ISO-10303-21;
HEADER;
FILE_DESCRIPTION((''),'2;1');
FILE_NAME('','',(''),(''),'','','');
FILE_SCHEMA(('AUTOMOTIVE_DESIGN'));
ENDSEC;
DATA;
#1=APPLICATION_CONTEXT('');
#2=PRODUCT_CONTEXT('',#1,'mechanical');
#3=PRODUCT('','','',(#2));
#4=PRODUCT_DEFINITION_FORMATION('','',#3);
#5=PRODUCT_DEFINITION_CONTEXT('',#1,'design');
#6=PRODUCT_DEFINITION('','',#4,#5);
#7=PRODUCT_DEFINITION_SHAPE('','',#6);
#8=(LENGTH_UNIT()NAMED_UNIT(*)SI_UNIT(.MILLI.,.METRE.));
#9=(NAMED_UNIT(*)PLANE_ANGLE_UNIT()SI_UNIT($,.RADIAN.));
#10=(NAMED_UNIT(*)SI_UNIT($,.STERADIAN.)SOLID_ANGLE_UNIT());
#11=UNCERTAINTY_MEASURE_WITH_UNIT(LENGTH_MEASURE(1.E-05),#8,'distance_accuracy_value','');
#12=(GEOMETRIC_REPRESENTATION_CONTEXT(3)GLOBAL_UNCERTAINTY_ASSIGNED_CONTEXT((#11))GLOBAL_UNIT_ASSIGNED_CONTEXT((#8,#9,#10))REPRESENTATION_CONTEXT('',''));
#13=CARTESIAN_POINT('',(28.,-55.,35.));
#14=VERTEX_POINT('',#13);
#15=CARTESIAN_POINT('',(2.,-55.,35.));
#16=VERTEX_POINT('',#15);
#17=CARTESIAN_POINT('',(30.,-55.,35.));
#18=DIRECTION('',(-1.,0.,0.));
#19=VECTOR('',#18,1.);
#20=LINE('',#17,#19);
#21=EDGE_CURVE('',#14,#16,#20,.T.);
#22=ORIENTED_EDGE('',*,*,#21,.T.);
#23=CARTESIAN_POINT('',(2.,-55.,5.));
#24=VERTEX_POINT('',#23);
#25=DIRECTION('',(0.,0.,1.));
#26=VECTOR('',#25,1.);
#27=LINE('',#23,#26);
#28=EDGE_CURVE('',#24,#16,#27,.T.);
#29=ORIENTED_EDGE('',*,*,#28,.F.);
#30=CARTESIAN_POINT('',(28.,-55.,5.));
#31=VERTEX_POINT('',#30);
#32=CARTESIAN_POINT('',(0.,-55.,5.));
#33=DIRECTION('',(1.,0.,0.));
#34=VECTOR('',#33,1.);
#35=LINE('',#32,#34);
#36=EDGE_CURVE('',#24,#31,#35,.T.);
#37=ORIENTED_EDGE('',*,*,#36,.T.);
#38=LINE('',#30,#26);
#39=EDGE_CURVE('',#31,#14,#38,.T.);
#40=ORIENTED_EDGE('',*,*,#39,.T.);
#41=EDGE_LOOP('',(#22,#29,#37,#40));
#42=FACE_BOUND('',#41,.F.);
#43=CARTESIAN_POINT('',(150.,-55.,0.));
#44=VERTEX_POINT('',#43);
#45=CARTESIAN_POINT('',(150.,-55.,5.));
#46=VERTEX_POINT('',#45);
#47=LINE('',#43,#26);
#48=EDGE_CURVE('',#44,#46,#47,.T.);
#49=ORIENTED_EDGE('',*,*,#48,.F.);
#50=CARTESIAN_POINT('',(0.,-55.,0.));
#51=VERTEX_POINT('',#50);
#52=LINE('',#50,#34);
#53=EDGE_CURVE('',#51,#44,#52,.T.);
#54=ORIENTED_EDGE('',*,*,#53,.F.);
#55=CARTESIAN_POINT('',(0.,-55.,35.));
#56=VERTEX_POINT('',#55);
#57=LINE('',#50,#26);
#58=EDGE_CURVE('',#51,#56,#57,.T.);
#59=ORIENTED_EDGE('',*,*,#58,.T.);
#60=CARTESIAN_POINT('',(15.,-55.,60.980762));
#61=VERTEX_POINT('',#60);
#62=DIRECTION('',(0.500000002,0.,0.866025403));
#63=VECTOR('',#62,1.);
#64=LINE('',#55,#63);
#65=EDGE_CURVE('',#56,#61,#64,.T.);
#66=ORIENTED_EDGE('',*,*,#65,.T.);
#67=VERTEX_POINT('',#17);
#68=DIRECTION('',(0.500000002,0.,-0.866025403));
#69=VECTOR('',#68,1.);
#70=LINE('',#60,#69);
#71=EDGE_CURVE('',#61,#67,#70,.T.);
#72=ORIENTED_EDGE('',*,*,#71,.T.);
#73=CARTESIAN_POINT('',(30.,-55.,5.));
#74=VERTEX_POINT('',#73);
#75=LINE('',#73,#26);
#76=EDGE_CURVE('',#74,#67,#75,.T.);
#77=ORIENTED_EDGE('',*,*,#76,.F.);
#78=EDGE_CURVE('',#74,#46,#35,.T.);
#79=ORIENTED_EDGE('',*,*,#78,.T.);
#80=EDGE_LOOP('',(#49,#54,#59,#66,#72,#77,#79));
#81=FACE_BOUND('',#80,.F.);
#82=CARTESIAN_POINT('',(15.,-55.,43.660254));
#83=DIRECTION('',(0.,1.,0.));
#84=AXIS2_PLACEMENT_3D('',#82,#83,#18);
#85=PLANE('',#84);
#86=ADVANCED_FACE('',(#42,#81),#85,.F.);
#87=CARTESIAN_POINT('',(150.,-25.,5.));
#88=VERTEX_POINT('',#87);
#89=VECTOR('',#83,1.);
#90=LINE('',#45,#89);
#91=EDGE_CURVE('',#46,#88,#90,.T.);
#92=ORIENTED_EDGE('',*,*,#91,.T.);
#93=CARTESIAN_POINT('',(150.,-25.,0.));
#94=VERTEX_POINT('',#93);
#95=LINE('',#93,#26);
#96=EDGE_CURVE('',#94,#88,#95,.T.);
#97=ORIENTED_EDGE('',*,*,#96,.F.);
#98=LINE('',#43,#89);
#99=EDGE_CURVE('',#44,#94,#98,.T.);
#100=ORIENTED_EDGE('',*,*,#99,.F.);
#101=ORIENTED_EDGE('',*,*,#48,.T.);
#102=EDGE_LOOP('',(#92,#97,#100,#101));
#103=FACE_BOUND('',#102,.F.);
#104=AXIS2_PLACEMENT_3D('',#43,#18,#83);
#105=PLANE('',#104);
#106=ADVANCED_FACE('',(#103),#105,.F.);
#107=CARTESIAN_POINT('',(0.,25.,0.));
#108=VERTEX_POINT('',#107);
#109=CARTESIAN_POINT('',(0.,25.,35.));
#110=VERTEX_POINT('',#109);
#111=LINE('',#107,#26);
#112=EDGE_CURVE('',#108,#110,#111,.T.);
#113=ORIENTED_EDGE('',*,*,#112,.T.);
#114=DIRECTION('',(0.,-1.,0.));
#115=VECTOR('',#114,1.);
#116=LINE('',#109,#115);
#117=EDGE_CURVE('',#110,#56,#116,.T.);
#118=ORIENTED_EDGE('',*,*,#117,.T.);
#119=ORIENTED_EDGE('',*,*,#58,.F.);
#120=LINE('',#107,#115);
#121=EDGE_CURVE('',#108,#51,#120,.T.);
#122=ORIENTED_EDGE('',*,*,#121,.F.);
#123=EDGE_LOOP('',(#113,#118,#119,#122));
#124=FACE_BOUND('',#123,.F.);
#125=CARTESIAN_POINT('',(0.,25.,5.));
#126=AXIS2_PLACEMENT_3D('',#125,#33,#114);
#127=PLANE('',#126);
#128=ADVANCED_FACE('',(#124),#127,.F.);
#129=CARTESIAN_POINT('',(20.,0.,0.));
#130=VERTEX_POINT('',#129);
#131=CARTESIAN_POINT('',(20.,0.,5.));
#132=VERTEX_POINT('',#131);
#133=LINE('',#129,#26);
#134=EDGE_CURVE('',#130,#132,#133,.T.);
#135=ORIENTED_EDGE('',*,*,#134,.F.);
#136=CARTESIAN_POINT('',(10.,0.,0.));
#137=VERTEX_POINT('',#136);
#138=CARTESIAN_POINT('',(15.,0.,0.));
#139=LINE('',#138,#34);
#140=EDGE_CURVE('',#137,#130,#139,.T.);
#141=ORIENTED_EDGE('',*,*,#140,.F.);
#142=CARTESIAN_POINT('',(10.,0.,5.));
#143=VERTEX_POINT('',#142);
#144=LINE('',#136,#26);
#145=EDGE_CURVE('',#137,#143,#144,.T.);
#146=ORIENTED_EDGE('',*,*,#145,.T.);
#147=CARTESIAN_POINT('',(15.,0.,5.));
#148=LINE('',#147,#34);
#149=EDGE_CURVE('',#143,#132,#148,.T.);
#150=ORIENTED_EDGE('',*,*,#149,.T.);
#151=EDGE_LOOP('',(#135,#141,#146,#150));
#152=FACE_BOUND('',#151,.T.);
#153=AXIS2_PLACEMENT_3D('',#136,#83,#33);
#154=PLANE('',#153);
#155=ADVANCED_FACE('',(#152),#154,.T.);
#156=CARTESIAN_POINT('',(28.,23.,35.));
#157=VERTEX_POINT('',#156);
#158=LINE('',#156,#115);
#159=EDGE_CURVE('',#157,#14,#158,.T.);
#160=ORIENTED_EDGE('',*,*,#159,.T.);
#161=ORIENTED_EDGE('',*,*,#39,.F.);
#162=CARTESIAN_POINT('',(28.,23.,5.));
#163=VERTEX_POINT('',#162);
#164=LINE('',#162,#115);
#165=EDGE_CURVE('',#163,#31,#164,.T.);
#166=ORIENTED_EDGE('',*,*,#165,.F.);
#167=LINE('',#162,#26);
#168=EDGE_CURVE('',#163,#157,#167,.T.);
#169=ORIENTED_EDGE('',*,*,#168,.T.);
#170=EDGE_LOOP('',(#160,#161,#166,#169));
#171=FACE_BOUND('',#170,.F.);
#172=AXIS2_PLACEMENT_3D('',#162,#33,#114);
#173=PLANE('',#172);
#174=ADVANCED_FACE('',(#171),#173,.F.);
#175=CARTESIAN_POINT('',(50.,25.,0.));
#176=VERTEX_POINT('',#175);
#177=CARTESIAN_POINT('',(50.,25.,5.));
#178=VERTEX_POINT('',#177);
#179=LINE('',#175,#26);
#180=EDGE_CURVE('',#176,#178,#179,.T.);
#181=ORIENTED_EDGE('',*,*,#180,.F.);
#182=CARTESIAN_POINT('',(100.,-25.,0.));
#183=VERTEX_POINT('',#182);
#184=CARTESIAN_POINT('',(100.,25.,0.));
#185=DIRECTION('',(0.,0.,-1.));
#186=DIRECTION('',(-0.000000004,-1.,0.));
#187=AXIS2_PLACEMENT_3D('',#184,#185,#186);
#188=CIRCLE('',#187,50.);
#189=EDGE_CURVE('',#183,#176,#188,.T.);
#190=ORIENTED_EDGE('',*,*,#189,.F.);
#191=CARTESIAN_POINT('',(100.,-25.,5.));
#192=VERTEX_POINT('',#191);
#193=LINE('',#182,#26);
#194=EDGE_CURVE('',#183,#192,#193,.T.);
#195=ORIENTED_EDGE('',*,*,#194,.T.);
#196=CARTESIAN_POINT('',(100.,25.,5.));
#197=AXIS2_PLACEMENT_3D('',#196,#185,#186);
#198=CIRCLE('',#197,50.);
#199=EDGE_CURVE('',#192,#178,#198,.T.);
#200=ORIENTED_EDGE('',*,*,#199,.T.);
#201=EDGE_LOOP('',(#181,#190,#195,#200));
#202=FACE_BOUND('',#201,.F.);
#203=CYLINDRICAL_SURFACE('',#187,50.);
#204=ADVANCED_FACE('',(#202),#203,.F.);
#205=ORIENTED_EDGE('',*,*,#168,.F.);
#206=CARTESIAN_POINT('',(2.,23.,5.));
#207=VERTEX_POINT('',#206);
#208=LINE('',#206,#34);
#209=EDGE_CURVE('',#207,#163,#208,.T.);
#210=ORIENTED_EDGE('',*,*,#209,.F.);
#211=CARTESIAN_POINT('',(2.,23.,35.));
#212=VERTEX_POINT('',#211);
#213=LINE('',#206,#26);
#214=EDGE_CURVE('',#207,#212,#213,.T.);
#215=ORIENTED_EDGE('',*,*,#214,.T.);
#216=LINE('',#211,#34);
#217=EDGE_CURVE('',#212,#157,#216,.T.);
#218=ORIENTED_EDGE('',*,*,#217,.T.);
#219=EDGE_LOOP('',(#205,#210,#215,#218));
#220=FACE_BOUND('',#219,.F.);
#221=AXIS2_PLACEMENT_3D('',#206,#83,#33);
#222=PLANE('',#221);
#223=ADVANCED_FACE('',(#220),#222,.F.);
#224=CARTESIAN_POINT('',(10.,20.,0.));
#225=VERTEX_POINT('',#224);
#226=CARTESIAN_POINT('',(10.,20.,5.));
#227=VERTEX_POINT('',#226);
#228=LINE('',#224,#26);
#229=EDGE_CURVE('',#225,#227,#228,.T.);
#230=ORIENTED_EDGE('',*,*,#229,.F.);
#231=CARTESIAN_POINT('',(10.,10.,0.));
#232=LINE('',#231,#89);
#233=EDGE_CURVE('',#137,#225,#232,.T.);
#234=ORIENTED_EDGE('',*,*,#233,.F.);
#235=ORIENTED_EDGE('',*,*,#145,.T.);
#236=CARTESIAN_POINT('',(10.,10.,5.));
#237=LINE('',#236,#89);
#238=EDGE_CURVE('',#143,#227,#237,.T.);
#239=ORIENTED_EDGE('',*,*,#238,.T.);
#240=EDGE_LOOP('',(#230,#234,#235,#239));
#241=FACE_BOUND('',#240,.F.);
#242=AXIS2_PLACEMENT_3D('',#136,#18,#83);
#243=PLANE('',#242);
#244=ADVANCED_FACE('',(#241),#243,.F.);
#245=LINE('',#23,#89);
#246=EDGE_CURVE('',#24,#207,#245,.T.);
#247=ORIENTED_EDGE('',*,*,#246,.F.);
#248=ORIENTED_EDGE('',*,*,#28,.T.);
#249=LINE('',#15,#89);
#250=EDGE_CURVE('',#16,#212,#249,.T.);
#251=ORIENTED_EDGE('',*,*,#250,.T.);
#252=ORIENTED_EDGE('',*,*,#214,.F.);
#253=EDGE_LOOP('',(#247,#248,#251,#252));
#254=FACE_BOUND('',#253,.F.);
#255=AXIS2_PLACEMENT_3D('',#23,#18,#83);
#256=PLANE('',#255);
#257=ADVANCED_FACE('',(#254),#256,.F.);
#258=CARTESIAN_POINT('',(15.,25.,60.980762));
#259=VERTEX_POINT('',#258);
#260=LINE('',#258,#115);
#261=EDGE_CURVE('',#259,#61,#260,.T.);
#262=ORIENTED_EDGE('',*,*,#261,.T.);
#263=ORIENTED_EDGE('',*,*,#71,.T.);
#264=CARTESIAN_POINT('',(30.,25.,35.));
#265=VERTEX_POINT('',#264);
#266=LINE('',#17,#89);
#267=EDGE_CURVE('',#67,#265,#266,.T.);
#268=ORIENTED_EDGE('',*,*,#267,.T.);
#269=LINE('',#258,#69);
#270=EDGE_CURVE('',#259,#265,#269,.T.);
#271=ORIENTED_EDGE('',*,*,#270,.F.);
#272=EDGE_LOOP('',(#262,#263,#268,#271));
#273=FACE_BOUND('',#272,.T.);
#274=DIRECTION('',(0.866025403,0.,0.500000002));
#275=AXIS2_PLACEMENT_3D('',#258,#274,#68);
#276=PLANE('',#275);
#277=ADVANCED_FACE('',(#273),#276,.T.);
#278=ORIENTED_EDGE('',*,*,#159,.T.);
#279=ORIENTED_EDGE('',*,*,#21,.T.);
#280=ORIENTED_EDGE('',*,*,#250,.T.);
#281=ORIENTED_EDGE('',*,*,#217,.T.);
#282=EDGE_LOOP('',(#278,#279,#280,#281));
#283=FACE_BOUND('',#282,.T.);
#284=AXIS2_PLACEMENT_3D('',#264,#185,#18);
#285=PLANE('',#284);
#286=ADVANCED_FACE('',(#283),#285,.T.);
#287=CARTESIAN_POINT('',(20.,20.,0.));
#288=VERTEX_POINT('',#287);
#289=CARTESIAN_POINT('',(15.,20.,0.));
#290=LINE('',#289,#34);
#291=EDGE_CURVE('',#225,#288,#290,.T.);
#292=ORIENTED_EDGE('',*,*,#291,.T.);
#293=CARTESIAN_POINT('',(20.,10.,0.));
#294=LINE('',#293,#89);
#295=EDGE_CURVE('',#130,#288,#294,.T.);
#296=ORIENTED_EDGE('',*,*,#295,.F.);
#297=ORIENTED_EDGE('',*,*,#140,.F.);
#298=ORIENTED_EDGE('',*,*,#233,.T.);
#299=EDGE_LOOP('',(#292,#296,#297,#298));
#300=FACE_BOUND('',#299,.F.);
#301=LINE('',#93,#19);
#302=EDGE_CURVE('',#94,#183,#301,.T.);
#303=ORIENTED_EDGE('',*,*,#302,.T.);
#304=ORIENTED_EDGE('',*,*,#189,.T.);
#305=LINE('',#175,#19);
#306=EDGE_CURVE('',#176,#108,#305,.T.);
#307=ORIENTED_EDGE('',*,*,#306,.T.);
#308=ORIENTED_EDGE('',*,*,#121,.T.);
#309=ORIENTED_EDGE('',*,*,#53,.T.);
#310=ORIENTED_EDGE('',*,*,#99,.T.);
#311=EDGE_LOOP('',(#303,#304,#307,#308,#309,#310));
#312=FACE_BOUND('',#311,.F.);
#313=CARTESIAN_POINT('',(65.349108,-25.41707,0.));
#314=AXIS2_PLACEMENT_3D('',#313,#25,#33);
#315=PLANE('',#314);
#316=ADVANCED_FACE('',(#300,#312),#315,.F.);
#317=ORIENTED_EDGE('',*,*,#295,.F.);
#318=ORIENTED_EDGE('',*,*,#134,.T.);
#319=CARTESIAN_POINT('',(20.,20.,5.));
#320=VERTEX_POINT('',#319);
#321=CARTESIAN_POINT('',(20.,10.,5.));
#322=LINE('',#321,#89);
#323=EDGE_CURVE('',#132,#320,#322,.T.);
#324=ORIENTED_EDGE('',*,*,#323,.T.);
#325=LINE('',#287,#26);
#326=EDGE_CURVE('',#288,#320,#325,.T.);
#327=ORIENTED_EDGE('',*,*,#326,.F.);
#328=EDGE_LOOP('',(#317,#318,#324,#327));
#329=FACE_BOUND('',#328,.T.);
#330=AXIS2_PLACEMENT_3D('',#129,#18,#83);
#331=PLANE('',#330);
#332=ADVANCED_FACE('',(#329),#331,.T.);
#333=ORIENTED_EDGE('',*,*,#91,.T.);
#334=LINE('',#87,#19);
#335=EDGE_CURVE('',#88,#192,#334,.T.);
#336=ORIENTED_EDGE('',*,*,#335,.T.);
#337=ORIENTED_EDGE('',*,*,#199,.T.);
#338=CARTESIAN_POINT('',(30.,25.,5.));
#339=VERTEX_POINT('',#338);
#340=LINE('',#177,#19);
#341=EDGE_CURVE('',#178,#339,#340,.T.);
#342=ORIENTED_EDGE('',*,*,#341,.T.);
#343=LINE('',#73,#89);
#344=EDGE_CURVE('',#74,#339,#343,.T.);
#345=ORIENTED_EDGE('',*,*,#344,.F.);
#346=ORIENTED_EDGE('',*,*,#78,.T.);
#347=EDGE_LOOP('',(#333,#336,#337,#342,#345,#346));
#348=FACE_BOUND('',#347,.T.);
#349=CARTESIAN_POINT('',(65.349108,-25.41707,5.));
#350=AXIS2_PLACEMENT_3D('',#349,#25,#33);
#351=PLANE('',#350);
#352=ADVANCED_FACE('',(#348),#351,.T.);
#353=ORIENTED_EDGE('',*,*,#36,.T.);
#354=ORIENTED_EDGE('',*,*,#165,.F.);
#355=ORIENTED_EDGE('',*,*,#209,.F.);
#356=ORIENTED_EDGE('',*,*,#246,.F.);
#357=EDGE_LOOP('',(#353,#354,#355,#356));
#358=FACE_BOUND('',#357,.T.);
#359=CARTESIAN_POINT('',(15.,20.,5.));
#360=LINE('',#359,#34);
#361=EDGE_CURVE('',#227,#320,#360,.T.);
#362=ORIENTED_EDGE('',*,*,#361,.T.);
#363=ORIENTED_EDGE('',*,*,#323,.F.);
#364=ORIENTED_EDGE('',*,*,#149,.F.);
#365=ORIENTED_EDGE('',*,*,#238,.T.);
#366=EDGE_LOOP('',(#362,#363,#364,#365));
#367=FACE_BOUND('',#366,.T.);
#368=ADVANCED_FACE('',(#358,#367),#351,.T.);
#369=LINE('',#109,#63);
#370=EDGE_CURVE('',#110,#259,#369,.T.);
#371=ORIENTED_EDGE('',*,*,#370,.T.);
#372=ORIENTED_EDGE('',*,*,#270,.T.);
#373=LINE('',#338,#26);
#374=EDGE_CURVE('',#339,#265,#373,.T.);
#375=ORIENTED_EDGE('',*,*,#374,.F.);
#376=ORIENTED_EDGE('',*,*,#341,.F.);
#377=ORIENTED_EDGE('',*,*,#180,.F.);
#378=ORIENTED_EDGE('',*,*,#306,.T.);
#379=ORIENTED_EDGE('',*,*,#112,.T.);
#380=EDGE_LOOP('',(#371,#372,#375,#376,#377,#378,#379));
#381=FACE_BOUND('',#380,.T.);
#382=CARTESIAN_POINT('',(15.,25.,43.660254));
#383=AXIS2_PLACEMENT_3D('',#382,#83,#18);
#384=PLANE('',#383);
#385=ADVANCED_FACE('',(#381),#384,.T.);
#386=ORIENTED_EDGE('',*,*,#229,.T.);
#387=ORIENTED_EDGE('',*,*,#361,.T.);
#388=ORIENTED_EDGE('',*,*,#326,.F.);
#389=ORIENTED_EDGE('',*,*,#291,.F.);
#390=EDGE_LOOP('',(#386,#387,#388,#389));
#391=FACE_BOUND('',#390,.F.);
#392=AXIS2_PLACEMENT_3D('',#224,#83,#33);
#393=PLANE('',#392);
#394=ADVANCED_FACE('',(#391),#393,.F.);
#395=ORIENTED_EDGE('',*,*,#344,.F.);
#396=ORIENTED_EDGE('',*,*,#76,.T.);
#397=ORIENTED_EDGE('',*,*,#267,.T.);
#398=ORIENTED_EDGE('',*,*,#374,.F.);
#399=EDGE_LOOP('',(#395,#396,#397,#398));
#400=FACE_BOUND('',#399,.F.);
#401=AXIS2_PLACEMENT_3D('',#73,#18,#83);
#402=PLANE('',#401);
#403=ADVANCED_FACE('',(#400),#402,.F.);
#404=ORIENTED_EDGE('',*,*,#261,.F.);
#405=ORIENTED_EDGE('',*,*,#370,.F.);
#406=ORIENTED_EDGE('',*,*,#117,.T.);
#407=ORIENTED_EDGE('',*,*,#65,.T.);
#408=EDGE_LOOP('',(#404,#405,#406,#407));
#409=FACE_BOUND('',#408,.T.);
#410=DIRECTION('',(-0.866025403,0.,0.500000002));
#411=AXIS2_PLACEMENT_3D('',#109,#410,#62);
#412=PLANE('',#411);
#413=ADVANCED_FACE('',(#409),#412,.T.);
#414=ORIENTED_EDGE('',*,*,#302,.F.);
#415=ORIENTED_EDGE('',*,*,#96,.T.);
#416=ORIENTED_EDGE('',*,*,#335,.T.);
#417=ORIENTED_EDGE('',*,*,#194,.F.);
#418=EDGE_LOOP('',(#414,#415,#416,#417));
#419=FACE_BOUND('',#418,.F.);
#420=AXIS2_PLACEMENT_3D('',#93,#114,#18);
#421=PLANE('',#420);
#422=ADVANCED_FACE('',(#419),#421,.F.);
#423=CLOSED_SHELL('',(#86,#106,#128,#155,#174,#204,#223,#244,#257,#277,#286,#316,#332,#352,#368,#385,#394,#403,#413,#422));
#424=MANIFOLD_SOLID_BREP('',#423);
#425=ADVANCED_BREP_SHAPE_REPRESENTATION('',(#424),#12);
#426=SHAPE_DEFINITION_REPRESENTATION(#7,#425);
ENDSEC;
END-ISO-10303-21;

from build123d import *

# Parameters (mm, degrees)
F0_W     = 10
F0_H     = 20
F1_DEPTH = 5
F3_DEPTH = 30
F5_DEPTH = 80


with BuildPart() as f1:
    # F0 (on Top) → F1 (new body)
    with BuildSketch(Plane.XY):
        with BuildLine():
            Line((150, -25), (100, -25))
            ThreePointArc((100, -25), (64.644661, -10.355339), (50, 25))
            Line((50, 25), (0, 25))
            Line((0, 25), (0, -55))
            Line((0, -55), (150, -55))
            Line((150, -55), (150, -25))
        make_face()
        with Locations((15, 10)):
            Rectangle(F0_W, F0_H, mode=Mode.SUBTRACT)
    extrude(amount=F1_DEPTH)

    # F2 (on face) → F3 (join)
    with BuildSketch(Plane.XY.offset(5)):
        Polygon((30, 25), (0, 25), (0, -55), (2, -55), (2, 23), (28, 23), (28, -55), (30, -55), align=None)
    extrude(amount=F3_DEPTH)

    # F4 (on face) → F5 (join, through all)
    with BuildSketch(Plane(origin=(0, 25, 0), x_dir=(-1, 0, 0), z_dir=(0, 1, 0))):
        Polygon((-15, 60.980762), (-30, 35), (0, 35), align=None)
    extrude(amount=-F5_DEPTH)


solid = f1.part
